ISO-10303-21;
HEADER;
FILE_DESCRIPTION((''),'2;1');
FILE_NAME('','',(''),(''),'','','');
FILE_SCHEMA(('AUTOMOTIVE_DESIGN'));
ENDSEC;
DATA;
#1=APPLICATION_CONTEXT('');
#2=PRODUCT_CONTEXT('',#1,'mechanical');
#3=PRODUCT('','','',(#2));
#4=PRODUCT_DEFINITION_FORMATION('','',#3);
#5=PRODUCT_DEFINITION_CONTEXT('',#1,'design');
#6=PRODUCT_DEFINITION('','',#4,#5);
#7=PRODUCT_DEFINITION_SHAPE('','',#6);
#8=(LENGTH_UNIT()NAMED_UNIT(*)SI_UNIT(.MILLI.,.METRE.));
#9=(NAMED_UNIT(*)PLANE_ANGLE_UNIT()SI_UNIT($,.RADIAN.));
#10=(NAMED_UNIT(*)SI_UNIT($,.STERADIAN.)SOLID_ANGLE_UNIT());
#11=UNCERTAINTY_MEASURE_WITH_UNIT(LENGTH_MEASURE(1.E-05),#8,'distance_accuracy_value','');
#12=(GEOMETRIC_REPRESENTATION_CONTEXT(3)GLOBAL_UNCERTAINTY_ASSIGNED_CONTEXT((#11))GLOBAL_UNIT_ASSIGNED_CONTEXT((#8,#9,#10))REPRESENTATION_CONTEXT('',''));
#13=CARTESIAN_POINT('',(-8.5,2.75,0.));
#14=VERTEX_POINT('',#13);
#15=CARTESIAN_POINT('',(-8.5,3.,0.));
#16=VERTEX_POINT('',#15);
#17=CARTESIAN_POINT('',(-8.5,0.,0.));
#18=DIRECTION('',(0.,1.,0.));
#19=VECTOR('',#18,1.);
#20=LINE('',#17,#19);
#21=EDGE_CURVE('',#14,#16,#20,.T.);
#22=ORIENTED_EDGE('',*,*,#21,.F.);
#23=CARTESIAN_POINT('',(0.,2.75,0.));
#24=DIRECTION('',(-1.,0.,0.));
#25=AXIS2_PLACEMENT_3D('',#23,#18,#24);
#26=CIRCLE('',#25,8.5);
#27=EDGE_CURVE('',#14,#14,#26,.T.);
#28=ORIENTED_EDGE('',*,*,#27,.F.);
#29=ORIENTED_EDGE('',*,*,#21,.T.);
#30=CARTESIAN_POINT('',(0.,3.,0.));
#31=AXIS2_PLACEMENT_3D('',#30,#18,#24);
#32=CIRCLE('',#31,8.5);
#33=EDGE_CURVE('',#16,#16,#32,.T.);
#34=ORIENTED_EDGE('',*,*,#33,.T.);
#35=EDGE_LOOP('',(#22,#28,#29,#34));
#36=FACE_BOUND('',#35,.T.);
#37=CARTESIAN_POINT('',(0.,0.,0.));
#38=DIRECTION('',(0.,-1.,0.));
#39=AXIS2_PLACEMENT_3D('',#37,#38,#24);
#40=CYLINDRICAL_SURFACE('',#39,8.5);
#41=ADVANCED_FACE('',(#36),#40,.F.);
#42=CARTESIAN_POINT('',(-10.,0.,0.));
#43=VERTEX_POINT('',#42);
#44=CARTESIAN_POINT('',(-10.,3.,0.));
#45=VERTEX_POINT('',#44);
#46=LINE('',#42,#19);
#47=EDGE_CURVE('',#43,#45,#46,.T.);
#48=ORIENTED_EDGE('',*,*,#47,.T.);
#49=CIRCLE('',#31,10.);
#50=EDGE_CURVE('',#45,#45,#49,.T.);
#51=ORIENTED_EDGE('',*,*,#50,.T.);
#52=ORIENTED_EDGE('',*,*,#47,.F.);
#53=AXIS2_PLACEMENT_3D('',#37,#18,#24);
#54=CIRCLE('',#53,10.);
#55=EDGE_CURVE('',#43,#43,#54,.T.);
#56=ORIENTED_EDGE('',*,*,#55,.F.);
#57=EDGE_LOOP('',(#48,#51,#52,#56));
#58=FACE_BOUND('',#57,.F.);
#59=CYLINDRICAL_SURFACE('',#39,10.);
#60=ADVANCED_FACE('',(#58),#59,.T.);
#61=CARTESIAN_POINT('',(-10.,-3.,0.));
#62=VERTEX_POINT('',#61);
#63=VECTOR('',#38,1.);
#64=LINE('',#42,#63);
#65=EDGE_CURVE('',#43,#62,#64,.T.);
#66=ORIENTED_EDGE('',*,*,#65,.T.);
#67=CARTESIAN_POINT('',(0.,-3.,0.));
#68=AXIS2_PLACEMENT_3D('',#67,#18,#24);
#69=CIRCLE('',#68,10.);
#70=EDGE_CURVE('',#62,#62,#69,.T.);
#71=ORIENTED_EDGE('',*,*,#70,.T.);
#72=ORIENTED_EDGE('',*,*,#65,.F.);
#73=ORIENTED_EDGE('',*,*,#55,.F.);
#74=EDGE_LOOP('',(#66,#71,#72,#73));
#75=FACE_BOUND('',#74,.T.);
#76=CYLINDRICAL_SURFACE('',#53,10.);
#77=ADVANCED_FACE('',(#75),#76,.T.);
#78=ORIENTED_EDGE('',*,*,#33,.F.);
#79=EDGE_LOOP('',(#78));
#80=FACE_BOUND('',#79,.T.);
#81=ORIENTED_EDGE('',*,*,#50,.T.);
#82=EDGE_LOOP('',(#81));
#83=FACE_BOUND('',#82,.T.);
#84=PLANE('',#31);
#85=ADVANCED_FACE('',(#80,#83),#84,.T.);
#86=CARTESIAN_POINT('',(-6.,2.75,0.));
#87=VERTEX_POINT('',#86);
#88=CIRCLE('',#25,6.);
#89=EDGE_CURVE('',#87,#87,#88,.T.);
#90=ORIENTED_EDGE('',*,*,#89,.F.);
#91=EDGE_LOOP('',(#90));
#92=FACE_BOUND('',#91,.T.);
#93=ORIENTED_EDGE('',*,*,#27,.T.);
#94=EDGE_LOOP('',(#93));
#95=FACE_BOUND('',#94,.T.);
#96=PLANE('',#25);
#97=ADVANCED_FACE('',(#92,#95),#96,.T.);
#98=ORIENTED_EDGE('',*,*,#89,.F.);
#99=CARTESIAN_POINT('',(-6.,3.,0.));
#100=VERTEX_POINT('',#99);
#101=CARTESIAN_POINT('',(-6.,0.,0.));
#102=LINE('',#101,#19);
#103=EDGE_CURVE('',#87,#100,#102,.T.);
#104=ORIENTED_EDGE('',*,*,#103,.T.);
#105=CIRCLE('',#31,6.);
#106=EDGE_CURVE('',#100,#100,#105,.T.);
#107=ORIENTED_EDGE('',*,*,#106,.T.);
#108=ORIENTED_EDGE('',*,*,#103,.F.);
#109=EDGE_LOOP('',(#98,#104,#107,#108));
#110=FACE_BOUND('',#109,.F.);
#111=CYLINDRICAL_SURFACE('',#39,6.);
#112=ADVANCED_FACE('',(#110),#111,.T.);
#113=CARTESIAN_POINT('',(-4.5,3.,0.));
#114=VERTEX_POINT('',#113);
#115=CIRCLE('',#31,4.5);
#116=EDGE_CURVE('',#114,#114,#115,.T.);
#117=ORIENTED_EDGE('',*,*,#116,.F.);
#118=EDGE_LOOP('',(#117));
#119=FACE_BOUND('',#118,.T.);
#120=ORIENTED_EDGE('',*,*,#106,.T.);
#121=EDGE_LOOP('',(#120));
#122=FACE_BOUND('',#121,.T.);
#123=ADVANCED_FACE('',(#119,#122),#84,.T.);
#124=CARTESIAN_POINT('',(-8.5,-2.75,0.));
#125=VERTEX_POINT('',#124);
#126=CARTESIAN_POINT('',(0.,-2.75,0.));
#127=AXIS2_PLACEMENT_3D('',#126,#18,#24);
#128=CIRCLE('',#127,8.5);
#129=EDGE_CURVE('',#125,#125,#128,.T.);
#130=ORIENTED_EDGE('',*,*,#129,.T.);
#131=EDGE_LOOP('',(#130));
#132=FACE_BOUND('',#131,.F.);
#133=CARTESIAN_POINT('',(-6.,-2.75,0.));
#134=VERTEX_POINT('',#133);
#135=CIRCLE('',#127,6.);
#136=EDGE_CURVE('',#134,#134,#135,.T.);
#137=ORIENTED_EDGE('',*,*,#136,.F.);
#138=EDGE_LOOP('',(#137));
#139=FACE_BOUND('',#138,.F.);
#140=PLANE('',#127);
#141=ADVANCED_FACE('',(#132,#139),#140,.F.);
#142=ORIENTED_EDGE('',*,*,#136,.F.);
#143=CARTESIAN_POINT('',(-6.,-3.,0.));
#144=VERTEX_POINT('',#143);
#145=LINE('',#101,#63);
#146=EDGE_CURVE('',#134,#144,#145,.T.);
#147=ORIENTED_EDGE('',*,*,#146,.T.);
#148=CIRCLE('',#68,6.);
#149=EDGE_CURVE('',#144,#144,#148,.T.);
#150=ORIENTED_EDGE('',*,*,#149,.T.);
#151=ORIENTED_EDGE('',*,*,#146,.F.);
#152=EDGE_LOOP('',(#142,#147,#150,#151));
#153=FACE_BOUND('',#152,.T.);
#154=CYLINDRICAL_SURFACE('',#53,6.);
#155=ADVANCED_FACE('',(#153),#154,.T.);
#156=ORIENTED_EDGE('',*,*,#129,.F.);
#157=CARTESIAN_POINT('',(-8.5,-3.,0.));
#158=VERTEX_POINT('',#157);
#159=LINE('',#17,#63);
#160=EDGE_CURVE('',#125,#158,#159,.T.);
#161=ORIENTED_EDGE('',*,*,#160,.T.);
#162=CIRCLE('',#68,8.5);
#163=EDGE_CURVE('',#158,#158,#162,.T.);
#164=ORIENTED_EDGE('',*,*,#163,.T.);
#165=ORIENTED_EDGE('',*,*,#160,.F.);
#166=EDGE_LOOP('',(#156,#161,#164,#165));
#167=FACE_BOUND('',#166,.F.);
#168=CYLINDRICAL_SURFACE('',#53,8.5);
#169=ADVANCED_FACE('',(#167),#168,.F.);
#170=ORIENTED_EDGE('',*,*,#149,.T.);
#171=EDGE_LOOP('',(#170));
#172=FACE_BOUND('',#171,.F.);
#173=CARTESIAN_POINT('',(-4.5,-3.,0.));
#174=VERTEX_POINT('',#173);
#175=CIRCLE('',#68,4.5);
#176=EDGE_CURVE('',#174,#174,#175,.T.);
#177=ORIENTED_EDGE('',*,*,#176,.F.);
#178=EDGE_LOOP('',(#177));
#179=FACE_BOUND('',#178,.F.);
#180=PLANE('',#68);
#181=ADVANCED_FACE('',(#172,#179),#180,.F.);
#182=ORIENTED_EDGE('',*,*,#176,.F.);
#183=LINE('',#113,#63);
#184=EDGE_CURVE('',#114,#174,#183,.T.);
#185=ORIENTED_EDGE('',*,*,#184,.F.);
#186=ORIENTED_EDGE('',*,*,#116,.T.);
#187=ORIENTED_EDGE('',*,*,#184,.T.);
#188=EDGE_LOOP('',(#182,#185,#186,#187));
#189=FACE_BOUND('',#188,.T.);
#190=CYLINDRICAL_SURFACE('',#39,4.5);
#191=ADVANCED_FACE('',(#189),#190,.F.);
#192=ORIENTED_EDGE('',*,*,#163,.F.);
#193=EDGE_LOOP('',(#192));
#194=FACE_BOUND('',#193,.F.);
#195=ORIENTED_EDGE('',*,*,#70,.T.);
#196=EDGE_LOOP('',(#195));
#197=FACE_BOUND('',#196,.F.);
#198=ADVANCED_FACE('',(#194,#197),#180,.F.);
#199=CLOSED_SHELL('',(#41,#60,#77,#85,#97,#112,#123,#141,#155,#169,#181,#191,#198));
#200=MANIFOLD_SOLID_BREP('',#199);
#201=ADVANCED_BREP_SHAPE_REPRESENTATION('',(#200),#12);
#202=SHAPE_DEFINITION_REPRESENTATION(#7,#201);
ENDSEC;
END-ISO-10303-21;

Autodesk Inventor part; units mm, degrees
ref_plane "YZ Plane" through (0, 0, 0) normal (1, 0, 0) x (0, 1, 0)
ref_plane "XZ Plane" through (0, 0, 0) normal (0, 1, 0) x (-1, 0, 0)
ref_plane "XY Plane" through (0, 0, 0) normal (0, 0, 1) x (1, 0, 0)
sketch "Sketch1" plane through (0, 0, 0) normal (0, 1, 0) x (-1, 0, 0)
  circle A0 centre (0, 0) radius 4.5
  circle A1 centre (0, 0) radius 6
  circle A2 centre (0, 0) radius 10
  circle A3 centre (0, 0) radius 8.5
  dimension "d0" = 9
  dimension "d2" = 20
  dimension "d3" = 1.5
  dimension "d4" = 1.5
extrude "Extrusion1" add sketch "Sketch1" along normal mid plane 6
extrude "Extrusion2" add sketch "Sketch1" along normal mid plane 5.5 contours A3
properties part number "Bearing 699ZZ - 9x20x6mm" material "Stainless Steel"
